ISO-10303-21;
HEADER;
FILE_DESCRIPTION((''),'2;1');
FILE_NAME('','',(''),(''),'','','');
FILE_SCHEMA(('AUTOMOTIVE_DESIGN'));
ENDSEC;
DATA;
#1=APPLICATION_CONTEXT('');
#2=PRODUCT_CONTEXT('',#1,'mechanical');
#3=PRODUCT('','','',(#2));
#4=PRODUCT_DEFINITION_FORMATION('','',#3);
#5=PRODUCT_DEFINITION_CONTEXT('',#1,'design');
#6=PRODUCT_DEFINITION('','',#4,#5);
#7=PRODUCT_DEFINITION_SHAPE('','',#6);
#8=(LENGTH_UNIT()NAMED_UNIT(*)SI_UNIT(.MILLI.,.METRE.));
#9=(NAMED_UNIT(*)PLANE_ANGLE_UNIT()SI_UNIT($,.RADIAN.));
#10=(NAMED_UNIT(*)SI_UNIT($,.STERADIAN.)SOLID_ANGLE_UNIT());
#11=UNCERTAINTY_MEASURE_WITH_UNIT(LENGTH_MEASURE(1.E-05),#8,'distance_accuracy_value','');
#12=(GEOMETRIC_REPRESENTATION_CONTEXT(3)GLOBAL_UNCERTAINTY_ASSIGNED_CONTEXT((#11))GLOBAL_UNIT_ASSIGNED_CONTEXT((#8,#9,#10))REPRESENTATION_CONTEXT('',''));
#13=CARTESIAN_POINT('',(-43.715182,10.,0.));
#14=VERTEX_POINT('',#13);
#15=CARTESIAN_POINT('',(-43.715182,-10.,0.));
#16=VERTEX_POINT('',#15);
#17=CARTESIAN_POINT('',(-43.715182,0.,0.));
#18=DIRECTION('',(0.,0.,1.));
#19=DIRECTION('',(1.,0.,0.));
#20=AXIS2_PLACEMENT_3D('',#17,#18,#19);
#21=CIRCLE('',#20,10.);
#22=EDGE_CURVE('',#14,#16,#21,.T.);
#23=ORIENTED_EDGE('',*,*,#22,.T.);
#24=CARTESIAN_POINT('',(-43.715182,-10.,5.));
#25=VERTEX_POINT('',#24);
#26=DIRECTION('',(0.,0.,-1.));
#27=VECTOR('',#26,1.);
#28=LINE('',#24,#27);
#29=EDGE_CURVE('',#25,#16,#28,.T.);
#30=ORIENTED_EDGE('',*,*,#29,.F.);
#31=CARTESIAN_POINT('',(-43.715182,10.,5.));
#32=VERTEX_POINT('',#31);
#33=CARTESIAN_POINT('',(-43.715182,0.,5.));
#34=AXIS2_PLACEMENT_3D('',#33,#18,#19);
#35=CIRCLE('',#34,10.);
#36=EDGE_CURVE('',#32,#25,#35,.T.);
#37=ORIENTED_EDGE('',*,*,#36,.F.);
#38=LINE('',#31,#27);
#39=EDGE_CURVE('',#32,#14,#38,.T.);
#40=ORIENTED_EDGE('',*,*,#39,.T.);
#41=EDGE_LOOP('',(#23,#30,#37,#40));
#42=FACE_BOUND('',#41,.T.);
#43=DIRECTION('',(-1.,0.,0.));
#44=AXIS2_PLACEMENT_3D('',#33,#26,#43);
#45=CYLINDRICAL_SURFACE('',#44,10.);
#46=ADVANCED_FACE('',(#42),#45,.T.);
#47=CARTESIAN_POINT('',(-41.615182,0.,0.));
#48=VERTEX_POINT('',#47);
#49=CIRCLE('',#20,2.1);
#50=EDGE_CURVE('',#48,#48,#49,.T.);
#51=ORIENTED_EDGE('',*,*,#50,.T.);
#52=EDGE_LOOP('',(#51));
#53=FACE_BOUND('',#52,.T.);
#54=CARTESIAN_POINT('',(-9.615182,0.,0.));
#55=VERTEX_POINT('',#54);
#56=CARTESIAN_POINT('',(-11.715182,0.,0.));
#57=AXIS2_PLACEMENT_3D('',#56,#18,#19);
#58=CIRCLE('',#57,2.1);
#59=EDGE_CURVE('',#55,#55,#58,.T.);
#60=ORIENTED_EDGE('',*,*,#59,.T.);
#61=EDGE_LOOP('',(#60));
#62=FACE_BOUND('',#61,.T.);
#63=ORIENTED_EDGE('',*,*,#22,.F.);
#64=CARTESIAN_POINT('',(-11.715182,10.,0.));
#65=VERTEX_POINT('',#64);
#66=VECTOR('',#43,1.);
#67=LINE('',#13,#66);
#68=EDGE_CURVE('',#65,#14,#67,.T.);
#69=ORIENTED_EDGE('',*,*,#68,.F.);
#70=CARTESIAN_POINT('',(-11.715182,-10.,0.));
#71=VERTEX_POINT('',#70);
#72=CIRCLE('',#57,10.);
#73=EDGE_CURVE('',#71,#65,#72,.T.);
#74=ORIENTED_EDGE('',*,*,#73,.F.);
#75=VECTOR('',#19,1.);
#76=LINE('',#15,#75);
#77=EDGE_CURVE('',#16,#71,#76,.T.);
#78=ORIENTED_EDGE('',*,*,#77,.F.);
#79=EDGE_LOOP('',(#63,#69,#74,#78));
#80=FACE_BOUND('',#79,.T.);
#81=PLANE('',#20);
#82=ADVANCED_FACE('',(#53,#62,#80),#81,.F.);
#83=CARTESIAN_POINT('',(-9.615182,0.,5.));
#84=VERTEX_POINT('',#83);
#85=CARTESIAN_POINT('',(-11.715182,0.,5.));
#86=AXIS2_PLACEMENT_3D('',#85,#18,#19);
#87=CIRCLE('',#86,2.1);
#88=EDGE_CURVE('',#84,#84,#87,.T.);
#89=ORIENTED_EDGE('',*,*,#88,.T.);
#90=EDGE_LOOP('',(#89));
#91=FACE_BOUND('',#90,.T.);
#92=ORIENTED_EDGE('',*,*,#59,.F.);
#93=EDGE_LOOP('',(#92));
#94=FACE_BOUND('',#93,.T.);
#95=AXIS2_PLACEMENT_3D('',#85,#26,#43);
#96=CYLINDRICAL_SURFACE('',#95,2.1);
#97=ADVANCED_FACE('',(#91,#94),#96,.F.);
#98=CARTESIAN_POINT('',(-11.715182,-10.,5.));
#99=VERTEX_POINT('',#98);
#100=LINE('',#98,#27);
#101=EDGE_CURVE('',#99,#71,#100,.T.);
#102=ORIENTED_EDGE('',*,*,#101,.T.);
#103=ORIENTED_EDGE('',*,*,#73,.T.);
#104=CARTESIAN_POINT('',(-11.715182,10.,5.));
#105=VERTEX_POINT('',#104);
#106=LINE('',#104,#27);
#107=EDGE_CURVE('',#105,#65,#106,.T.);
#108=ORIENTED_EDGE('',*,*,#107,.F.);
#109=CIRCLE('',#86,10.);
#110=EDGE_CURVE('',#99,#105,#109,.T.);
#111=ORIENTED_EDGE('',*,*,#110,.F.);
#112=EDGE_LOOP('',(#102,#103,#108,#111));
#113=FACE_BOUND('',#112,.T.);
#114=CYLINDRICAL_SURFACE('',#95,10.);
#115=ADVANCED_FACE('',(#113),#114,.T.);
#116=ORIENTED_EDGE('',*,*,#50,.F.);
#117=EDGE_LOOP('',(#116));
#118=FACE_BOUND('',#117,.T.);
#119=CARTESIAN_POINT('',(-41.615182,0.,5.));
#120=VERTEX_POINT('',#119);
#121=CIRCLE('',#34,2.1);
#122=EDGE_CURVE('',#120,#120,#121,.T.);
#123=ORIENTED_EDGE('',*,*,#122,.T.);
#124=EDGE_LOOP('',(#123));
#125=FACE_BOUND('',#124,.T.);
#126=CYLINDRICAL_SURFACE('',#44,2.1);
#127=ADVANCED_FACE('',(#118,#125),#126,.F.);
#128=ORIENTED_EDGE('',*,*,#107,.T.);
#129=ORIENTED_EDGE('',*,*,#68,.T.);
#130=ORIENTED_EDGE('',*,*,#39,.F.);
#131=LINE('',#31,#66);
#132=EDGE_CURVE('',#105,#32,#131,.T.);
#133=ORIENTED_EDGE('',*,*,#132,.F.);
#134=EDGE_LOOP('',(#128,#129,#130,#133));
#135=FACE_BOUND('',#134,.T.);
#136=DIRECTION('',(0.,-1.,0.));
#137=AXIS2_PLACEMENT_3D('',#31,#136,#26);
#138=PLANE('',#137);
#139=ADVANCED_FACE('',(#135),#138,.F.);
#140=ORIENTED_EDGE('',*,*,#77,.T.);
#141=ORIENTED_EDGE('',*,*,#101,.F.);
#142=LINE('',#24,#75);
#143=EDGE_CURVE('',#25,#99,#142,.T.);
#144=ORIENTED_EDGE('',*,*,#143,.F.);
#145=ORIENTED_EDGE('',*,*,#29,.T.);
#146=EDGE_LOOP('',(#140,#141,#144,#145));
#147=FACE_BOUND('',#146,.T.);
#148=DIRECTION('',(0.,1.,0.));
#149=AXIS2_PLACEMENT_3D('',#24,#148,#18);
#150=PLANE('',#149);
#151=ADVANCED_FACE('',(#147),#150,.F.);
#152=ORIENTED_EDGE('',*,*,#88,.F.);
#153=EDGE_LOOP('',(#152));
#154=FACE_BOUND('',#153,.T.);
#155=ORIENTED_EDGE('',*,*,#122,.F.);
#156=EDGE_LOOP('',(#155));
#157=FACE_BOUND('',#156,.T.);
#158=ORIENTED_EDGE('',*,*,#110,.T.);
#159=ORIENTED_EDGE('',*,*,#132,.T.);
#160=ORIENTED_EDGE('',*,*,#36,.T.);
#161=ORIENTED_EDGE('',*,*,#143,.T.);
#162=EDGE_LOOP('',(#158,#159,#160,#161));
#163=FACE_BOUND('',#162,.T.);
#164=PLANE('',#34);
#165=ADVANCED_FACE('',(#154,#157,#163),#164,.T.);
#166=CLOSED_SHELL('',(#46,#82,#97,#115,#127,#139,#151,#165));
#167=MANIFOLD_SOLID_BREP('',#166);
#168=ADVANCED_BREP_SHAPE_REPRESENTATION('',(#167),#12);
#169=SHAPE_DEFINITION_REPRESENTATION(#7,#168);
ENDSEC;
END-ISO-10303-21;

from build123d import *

# Parameters (mm, degrees)
SKETCH1_R           = 2.1
BOSS_EXTRUDE1_DEPTH = 5


with BuildPart() as part:
    # Sketch1 → Boss-Extrude1 (new body)
    with BuildSketch(Plane.XY):
        with BuildLine():
            Line((-43.715181522, 10), (-11.715181522, 10))
            ThreePointArc((-11.715181522, 10), (-1.715181522, 0), (-11.715181522, -10))
            Line((-11.715181522, -10), (-43.715181522, -10))
            ThreePointArc((-43.715181522, -10), (-53.715181522, 0), (-43.715181522, 10))
        make_face()
        with Locations((-43.715181522, 0)):
            Circle(SKETCH1_R, mode=Mode.SUBTRACT)
        with Locations((-11.715181522, 0)):
            Circle(SKETCH1_R, mode=Mode.SUBTRACT)
    extrude(amount=BOSS_EXTRUDE1_DEPTH)


solid = part.part
